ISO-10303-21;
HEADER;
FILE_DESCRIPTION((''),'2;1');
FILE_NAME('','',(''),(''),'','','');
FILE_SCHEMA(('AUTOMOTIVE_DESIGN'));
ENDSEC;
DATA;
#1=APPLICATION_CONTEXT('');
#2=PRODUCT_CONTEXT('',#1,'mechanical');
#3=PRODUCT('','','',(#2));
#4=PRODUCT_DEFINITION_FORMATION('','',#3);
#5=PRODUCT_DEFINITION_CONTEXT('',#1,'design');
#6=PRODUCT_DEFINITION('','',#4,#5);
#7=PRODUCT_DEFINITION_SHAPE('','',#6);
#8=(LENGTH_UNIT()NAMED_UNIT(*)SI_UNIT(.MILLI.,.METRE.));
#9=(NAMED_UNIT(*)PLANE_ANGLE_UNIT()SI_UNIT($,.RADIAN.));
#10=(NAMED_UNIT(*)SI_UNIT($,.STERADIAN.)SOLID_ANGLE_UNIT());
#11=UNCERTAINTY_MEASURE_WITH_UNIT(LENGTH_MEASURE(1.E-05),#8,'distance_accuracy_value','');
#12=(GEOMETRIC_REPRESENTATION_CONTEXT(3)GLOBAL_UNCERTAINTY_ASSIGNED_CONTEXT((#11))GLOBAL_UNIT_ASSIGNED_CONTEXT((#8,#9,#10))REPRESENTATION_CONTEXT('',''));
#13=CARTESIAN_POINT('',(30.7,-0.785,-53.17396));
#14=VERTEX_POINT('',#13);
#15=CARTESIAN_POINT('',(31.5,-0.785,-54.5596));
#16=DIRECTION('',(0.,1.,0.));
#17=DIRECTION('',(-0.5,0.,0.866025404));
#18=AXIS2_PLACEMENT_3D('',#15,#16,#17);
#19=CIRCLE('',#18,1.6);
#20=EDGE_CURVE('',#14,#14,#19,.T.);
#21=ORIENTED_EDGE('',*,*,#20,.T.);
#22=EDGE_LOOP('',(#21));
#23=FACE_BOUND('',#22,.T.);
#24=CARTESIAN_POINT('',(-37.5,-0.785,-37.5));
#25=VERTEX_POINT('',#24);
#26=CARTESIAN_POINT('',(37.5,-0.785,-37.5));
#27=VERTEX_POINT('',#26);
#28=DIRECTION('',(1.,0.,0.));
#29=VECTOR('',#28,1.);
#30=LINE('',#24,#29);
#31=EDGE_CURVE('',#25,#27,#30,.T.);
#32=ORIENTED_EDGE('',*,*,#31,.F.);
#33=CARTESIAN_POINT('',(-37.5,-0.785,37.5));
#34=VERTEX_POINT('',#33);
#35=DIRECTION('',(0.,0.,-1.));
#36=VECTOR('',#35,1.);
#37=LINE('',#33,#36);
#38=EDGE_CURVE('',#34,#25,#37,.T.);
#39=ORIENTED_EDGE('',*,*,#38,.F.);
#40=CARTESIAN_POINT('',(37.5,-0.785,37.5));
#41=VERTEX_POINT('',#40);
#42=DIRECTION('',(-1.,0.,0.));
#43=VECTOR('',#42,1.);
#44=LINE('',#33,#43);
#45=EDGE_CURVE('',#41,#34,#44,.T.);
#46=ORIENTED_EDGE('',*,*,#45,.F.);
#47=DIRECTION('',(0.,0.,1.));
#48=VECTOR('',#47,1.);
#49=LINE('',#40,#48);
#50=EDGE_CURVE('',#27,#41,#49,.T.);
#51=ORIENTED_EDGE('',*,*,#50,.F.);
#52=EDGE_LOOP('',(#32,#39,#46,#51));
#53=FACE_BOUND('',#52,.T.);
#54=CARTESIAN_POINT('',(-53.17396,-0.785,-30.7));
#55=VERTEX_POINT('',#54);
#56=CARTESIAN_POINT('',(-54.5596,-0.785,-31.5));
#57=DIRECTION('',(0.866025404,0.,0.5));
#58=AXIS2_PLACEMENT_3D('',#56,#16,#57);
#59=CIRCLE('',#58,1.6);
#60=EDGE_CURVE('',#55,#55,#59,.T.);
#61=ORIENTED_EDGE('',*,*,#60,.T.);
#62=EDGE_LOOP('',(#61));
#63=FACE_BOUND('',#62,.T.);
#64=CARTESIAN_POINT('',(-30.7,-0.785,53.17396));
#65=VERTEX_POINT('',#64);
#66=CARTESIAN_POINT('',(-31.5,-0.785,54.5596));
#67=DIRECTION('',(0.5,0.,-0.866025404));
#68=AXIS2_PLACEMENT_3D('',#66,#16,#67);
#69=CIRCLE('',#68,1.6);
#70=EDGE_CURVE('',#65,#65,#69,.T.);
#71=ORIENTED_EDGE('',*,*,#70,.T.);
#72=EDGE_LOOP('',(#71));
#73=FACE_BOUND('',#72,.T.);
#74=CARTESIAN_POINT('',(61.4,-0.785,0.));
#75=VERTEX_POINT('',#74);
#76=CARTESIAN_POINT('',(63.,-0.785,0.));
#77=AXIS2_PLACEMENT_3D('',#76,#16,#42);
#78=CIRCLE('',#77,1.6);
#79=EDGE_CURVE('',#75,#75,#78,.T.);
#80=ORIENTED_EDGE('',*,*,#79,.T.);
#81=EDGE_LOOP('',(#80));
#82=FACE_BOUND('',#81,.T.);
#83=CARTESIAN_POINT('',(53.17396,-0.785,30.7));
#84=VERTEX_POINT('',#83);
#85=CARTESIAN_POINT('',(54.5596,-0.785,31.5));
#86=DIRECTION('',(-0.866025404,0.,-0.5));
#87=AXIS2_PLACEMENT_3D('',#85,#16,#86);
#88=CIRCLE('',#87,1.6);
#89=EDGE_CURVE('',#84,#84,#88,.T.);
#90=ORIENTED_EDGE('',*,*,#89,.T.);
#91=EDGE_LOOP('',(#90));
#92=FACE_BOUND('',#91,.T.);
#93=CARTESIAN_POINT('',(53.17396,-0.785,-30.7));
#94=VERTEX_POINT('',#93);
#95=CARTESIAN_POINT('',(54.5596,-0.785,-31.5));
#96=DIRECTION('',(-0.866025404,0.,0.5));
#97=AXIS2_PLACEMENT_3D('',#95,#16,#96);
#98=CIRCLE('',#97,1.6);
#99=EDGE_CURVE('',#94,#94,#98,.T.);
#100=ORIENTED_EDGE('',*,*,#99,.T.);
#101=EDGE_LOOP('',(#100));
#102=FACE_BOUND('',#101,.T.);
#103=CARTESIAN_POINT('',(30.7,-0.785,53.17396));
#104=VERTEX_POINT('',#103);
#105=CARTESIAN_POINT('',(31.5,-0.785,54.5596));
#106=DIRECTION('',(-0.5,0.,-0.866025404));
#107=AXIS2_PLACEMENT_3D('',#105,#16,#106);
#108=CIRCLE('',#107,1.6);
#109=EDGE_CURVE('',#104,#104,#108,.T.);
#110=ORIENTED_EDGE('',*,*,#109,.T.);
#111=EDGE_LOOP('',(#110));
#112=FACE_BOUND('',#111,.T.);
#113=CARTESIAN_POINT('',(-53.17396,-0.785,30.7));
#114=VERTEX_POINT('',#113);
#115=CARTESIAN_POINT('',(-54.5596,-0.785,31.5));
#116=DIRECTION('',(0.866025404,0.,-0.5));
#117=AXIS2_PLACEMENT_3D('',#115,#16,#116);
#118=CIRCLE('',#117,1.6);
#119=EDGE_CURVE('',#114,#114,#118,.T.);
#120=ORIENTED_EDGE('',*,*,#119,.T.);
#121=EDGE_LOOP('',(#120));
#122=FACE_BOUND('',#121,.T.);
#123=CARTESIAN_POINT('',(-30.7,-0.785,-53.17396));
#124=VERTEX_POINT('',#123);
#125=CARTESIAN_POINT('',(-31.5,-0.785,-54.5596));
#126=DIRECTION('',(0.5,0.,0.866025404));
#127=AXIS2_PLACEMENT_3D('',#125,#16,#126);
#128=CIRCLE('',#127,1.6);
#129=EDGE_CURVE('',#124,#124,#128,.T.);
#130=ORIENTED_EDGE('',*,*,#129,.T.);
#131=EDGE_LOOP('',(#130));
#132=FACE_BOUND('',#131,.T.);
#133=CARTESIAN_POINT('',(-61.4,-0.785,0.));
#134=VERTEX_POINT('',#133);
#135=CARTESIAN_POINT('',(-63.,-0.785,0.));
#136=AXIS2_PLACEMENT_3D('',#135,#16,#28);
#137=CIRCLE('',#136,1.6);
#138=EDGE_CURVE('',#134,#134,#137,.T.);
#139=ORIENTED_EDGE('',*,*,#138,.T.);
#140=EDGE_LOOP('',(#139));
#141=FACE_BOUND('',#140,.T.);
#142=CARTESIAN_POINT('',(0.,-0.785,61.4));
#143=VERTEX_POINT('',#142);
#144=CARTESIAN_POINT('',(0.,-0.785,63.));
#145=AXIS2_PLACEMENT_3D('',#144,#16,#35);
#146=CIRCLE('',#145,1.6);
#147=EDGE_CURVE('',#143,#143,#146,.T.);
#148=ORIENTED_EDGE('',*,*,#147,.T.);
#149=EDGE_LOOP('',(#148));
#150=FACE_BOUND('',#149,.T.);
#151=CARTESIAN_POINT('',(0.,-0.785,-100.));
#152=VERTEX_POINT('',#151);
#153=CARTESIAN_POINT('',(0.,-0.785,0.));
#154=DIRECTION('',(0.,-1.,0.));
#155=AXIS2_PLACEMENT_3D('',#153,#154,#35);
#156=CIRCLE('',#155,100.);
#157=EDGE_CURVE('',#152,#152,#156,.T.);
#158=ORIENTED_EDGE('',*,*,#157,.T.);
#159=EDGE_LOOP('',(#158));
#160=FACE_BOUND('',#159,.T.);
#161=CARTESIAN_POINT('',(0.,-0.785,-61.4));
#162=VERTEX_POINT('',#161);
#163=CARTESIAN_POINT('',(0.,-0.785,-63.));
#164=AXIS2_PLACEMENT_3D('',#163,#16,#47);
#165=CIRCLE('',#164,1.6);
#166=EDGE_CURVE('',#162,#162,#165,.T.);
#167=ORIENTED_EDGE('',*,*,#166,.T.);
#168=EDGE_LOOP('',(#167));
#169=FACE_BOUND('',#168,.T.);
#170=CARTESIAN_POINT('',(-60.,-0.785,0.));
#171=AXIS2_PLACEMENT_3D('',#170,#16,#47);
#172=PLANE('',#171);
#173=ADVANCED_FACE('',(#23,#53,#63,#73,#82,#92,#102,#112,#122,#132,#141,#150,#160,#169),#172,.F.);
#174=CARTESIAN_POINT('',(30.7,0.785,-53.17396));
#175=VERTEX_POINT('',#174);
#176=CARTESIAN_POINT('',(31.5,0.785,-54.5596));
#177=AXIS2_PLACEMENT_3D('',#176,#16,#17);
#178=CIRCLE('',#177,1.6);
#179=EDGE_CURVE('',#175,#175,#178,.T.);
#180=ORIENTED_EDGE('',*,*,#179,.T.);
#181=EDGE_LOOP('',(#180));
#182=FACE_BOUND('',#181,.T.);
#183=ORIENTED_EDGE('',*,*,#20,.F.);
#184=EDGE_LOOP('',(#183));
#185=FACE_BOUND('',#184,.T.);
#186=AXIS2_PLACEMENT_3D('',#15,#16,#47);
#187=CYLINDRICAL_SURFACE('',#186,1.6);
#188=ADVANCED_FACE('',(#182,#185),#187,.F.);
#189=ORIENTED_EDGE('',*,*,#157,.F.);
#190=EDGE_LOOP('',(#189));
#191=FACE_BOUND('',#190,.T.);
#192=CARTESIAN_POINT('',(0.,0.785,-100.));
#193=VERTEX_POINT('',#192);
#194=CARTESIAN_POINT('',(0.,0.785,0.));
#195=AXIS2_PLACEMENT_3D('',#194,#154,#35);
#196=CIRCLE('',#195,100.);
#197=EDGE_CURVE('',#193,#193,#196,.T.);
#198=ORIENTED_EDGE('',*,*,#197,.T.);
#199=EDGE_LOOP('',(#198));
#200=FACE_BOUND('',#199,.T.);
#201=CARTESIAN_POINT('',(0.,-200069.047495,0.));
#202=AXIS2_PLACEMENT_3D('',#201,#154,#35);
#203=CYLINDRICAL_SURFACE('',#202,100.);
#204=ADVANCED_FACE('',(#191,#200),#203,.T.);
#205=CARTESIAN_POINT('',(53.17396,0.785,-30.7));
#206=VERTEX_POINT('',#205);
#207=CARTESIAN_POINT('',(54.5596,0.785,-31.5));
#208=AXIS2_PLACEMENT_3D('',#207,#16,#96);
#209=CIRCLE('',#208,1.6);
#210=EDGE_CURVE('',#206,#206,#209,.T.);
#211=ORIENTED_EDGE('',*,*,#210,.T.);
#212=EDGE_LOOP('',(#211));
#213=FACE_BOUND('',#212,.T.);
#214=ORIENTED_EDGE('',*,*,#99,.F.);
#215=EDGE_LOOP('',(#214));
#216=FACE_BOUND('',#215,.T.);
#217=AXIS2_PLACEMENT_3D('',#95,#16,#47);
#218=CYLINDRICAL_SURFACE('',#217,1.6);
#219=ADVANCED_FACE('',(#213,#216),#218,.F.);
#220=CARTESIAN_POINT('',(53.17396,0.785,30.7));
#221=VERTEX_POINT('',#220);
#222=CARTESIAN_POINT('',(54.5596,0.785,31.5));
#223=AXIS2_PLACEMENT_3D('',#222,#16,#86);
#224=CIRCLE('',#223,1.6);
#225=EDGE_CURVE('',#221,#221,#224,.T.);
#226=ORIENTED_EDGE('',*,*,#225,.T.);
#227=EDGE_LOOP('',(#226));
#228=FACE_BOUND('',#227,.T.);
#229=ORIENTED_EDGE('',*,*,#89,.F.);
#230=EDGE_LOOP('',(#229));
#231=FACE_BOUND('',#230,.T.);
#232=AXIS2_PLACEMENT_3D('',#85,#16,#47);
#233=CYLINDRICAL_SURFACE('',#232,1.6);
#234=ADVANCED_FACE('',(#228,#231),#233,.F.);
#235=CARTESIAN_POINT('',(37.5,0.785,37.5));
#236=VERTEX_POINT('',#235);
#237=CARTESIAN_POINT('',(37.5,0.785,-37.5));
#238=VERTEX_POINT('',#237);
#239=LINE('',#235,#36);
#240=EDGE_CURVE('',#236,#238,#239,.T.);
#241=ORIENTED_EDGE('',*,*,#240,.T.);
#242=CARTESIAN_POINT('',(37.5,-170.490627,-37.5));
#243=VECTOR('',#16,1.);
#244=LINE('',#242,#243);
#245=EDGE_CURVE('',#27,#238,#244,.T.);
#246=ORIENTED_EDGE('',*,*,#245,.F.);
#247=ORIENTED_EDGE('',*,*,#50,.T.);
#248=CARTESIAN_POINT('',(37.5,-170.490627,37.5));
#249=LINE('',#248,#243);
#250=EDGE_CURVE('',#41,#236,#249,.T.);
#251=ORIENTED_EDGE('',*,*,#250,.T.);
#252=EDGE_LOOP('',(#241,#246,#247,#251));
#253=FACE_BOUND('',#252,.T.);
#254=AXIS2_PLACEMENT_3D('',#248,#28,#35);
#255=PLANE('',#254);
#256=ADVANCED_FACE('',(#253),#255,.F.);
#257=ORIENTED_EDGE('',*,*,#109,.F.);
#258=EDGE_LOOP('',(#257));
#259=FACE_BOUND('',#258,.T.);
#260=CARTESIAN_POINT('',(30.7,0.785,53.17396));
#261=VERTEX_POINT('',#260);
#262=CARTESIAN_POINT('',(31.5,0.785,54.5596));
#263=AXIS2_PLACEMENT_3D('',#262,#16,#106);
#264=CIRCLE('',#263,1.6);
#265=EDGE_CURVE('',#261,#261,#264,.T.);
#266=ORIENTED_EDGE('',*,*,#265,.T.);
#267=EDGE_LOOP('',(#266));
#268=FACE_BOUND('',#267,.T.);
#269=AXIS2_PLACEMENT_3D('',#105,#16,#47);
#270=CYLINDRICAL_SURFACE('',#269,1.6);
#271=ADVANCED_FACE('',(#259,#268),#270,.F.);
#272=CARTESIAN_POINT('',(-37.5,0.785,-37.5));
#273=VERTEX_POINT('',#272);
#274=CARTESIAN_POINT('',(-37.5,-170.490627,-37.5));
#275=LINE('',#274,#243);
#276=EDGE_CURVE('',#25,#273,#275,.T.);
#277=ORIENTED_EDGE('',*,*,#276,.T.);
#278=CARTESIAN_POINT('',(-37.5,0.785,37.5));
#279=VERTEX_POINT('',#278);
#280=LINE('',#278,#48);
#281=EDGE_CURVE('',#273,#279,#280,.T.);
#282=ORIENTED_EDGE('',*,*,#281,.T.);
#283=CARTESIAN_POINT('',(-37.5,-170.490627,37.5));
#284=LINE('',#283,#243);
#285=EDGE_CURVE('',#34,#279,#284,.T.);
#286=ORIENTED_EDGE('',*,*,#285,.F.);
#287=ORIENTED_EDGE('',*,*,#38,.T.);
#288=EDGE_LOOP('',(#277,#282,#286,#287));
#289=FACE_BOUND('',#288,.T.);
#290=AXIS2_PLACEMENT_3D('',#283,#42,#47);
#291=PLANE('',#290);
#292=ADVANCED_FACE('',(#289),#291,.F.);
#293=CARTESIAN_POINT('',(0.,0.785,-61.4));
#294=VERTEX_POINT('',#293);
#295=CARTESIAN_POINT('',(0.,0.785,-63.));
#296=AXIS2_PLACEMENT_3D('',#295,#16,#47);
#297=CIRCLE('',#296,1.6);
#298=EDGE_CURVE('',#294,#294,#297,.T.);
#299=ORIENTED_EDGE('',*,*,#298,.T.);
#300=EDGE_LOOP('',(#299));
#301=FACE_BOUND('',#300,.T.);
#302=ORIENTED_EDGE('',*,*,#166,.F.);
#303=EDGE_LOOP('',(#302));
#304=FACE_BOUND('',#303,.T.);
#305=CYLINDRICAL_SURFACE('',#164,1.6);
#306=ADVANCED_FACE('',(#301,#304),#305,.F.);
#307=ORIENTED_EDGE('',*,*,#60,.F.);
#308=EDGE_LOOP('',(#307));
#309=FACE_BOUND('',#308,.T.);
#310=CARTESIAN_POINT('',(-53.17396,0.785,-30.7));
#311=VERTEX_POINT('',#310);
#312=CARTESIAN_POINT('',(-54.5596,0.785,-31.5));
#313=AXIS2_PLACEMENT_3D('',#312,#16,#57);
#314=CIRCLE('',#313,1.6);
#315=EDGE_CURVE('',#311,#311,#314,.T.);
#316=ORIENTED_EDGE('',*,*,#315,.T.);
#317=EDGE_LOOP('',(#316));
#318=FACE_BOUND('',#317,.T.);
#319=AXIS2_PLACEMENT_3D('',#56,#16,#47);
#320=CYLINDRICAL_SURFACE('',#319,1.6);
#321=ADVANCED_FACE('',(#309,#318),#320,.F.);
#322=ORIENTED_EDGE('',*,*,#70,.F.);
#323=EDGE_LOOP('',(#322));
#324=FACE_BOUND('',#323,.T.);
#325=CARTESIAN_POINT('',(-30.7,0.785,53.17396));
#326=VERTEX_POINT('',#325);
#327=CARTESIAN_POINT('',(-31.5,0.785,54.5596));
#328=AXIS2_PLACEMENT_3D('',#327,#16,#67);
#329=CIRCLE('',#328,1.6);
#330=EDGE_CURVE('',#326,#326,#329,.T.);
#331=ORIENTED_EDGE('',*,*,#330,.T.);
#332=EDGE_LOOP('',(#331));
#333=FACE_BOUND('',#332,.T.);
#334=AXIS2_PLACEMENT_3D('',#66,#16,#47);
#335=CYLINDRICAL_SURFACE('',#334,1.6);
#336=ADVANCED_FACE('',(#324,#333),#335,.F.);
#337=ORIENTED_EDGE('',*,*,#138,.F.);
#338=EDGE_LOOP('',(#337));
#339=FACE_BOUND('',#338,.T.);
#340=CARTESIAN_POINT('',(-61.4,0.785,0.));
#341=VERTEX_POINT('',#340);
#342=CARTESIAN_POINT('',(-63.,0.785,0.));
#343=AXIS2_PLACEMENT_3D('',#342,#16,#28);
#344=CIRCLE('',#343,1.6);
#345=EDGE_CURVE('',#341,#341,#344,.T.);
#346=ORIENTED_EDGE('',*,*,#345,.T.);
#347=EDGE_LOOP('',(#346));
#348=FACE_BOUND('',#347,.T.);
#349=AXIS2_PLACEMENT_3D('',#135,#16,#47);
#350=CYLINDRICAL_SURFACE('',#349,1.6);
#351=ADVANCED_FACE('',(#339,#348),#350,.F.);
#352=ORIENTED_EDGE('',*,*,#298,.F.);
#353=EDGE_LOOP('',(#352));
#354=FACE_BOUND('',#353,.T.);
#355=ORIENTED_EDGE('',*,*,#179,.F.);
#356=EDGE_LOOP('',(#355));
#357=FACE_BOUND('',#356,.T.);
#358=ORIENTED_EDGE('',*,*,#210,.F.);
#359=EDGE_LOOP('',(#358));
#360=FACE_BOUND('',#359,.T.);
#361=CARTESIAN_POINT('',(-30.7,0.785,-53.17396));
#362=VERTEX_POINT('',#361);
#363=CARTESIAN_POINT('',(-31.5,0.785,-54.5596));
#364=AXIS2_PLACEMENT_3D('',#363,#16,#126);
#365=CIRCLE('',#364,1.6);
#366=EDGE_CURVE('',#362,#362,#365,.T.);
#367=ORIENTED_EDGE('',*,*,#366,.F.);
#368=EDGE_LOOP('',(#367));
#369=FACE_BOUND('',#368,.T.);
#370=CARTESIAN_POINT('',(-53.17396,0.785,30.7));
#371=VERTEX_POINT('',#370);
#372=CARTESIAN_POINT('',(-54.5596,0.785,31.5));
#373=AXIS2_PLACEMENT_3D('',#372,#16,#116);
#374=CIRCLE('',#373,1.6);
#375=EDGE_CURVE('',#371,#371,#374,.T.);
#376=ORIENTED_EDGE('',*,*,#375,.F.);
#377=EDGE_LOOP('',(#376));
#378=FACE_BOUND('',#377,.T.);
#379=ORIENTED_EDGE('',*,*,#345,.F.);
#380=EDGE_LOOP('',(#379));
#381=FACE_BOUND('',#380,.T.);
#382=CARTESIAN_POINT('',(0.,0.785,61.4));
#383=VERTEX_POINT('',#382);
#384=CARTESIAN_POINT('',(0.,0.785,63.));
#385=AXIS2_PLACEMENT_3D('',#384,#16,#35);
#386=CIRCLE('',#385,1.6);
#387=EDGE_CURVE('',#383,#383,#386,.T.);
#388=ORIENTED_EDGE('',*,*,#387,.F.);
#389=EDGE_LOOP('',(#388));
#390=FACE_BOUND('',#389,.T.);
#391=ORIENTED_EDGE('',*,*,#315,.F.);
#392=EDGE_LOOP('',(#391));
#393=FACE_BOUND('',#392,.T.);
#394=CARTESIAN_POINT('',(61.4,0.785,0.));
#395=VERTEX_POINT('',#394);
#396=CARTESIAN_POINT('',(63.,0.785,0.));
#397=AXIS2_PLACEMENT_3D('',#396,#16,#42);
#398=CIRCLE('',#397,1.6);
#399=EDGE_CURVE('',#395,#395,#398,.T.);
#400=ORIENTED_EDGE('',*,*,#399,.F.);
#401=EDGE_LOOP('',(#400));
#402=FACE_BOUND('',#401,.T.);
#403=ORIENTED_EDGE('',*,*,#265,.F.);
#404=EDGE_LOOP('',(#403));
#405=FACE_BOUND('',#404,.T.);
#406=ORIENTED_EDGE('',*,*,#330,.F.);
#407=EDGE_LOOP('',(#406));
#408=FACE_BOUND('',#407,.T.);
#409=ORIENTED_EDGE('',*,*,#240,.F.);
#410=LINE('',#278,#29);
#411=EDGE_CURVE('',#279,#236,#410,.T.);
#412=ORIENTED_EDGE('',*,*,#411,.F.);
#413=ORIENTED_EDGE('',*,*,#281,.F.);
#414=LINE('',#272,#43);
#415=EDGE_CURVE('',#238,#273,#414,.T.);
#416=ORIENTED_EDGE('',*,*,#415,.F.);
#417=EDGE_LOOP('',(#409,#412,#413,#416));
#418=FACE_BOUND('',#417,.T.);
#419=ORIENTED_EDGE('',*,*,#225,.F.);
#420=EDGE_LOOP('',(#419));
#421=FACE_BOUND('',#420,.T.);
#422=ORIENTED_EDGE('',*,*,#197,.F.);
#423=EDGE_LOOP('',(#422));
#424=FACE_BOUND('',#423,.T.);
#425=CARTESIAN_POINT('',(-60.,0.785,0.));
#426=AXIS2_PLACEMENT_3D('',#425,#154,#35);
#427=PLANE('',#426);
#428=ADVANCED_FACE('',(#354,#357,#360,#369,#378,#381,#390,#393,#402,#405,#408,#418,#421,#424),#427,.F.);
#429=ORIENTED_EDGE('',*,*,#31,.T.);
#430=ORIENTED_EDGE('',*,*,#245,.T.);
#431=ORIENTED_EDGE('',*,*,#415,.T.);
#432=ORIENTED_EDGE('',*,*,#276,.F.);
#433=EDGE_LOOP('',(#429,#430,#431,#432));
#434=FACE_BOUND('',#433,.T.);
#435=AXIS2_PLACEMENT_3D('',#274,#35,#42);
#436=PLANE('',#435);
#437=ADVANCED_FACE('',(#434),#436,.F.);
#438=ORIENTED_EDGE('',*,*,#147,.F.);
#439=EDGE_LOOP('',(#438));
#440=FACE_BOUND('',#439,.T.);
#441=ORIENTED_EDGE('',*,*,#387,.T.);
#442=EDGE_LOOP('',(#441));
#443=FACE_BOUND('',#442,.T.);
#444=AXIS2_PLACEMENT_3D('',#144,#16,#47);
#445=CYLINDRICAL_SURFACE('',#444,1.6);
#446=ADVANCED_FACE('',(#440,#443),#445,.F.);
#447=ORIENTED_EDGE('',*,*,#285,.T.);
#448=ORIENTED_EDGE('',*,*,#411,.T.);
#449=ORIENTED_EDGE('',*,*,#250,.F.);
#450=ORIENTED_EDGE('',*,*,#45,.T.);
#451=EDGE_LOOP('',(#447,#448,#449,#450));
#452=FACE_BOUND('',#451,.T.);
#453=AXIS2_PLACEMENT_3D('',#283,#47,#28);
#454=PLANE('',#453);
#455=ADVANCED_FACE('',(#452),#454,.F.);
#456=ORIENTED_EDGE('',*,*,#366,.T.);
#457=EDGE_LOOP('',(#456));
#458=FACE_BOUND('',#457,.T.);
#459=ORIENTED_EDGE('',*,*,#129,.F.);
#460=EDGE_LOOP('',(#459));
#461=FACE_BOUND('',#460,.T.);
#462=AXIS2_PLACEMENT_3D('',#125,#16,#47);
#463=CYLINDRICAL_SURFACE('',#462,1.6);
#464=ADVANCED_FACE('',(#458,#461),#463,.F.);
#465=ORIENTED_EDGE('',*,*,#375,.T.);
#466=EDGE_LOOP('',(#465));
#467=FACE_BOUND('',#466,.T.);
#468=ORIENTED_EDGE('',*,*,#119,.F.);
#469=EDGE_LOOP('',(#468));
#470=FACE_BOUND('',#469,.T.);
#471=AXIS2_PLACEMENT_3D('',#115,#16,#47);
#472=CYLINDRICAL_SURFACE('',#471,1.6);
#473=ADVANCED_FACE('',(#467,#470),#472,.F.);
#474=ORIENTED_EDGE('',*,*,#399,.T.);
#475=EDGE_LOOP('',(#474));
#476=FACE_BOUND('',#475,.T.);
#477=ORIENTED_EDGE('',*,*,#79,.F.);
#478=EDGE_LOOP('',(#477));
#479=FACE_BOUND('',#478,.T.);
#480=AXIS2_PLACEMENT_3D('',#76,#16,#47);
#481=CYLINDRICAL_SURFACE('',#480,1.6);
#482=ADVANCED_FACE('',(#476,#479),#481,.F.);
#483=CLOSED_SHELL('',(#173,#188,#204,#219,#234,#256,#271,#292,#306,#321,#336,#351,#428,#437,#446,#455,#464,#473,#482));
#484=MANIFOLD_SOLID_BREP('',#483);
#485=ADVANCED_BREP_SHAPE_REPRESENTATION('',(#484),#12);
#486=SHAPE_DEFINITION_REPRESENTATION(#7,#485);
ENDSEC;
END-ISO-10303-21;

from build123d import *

# Parameters (mm, degrees)
SKETCH1_W           = 40
SKETCH1_H           = 1.57
BOSS_EXTRUDE1_START = -1.57
SKETCH2_R           = 60
SKETCH2_W           = 75
SKETCH2_H           = 75
BOSS_EXTRUDE1_DEPTH = 1.57
SKETCH3_R           = 1.6
CUT_EXTRUDE1_DEPTH  = 142.430070706
CIRPATTERN1_COUNT   = 12


with BuildPart() as part:
    # Sketch1 → Revolve1 (revolve)
    with BuildSketch(Plane.XY, mode=Mode.PRIVATE) as revolve1_sk:
        with Locations((-80, 0)):
            Rectangle(SKETCH1_W, SKETCH1_H)
    revolve(revolve1_sk.sketch.rotate(Axis((0, -200069.047495165, 0), (0, 1, 0)), 270), axis=Axis((0, -200069.047495165, 0), (0, 1, 0)))

    # Sketch2 → Boss-Extrude1 (add)
    with BuildSketch(Plane(origin=(0, 0.785, 0), x_dir=(1, 0, 0), z_dir=(0, 1, 0)).offset(BOSS_EXTRUDE1_START)):
        Circle(SKETCH2_R)
        Rectangle(SKETCH2_W, SKETCH2_H, mode=Mode.SUBTRACT)
    extrude(amount=BOSS_EXTRUDE1_DEPTH)

    # Sketch3 → Cut-Extrude1 (cut, through all)
    with BuildSketch(Plane(origin=(0, 0.785, 0), x_dir=(1, 0, 0), z_dir=(0, 1, 0))):
        with Locations(Location((0, 63, 0), (0, 0, 270))):
            Circle(SKETCH3_R)
    cut_extrude1 = extrude(amount=-CUT_EXTRUDE1_DEPTH, mode=Mode.SUBTRACT)

    # CirPattern1: Cut-Extrude1 ×12 about axis
    cirpattern1_axis = Axis((0, 0, 0), (0, 1, 0))
    for i in range(1, CIRPATTERN1_COUNT):
        add(cut_extrude1.rotate(cirpattern1_axis, i * 360 / CIRPATTERN1_COUNT), mode=Mode.SUBTRACT)


solid = part.part
